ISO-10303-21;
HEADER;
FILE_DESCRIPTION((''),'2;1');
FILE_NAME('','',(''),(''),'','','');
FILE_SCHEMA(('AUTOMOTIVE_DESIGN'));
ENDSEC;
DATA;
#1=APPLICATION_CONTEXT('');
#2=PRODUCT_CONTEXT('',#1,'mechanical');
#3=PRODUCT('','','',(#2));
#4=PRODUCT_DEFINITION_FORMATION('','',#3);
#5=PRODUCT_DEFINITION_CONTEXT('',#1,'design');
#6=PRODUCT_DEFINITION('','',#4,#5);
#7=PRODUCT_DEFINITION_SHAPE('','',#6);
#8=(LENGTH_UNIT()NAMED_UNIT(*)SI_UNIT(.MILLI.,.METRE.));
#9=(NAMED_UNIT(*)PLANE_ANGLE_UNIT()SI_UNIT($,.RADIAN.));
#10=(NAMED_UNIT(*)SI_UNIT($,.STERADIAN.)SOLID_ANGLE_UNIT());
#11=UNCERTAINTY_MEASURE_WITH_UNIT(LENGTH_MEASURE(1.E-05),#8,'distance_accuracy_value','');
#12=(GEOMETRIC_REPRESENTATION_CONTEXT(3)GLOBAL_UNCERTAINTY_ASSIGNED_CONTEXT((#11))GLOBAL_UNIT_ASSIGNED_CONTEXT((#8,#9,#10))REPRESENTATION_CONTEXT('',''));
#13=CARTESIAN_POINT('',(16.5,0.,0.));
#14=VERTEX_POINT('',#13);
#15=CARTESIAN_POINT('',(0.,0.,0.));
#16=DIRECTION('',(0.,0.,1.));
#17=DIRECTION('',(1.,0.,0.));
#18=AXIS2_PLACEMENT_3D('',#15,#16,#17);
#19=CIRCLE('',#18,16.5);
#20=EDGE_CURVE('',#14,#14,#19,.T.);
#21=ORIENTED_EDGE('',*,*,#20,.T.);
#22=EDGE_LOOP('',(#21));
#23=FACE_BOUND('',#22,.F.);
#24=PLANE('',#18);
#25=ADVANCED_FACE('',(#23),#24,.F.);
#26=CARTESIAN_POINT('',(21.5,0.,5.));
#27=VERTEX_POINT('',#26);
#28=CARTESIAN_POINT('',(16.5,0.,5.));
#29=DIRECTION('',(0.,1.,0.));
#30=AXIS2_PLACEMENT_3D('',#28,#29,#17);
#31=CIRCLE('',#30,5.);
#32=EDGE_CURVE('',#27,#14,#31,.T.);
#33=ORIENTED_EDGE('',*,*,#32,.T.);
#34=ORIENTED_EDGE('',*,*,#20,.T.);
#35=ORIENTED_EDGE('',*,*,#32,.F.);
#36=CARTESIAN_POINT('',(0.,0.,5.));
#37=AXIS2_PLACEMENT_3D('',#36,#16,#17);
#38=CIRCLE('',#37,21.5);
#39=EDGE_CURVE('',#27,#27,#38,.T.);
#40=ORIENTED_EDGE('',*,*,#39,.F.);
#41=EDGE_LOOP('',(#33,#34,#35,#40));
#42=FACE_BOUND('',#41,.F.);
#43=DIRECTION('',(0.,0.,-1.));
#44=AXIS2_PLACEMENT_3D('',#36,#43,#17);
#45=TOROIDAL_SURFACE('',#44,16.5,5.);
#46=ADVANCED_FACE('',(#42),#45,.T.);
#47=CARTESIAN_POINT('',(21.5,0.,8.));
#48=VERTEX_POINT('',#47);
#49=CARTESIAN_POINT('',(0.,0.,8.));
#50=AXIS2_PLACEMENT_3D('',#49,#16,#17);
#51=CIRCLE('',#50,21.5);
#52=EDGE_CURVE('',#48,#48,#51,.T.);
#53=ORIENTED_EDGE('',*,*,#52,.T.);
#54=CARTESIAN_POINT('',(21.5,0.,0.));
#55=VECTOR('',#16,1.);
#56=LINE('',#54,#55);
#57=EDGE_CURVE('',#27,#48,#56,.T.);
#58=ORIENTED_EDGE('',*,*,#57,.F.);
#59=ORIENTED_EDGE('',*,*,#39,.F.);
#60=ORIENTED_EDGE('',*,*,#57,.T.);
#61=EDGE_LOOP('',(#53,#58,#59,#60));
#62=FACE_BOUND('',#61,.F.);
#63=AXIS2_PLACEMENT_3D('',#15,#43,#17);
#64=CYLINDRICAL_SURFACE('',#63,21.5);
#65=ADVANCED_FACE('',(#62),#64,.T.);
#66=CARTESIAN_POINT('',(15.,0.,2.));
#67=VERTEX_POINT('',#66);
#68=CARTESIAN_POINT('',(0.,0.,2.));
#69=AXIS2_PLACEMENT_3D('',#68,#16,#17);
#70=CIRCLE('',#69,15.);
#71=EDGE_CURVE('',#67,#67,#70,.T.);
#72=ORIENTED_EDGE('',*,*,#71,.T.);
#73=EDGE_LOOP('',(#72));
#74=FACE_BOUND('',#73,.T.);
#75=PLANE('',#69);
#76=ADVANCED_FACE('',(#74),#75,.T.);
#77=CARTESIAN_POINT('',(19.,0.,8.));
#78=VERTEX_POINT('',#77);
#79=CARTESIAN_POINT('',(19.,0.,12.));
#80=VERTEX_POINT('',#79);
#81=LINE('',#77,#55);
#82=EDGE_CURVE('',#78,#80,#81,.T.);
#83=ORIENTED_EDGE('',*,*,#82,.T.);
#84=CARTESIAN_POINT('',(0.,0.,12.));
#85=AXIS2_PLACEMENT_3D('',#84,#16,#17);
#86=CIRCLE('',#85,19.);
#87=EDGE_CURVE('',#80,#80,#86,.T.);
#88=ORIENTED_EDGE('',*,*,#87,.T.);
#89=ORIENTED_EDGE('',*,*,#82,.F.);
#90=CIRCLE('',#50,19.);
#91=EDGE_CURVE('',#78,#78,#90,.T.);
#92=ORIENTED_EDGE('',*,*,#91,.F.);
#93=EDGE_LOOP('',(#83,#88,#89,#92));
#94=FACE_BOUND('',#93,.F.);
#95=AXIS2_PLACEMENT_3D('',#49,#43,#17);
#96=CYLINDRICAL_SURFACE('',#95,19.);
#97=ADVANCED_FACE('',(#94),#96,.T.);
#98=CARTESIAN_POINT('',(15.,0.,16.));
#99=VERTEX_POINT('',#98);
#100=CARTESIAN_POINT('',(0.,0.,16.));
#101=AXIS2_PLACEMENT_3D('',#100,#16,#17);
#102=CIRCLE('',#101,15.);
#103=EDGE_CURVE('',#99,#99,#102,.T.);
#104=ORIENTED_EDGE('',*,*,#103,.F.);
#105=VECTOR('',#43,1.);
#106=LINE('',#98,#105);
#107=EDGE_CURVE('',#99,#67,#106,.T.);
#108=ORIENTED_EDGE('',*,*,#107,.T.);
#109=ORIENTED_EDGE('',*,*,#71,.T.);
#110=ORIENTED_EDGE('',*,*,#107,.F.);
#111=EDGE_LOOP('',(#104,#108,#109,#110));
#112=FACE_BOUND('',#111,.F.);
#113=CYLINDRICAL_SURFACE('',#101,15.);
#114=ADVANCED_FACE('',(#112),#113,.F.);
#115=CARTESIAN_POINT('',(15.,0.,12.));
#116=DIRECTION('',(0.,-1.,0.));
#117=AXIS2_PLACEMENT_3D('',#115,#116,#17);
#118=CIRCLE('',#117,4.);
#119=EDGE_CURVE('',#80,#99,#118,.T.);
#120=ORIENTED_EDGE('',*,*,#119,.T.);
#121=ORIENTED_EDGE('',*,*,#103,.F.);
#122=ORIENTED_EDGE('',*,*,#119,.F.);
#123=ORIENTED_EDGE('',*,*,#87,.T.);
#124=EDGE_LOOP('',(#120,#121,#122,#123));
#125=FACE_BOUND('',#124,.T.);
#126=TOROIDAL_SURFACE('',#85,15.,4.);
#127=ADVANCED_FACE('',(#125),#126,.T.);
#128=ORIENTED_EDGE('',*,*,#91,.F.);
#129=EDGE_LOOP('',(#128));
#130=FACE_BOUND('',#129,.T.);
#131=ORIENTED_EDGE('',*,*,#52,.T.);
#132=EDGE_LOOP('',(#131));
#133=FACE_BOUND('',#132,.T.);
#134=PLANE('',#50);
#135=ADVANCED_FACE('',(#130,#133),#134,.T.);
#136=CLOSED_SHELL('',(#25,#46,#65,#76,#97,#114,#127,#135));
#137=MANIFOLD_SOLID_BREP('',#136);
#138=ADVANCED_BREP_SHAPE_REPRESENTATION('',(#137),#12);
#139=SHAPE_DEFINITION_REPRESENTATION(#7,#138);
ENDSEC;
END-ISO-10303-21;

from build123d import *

# Parameters (mm, degrees)
F0_R     = 21.5
F1_DEPTH = 8
F2_R     = 19
F3_DEPTH = 8
F4_R     = 4
F5_R     = 5
F6_R     = 15
F7_DEPTH = 14


with BuildPart() as f1:
    # F0 (on Top) → F1 (new body)
    with BuildSketch(Plane.XY):
        Circle(F0_R)
    extrude(amount=F1_DEPTH)

    # F2 (on face) → F3 (join)
    with BuildSketch(Plane.XY.offset(8)):
        Circle(F2_R)
    extrude(amount=F3_DEPTH)

    # F4
    f4_edges = [f1.edges().sort_by_distance(p)[0] for p in [
        (-19, 0, 16),
    ]]
    fillet(f4_edges, radius=F4_R)

    # F5
    f5_edges = [f1.edges().sort_by_distance(p)[0] for p in [
        (-21.5, 0, 0),
    ]]
    fillet(f5_edges, radius=F5_R)

    # F6 (on face) → F7 (cut)
    with BuildSketch(Plane.XY.offset(16)):
        Circle(F6_R)
    extrude(amount=-F7_DEPTH, mode=Mode.SUBTRACT)


solid = f1.part
